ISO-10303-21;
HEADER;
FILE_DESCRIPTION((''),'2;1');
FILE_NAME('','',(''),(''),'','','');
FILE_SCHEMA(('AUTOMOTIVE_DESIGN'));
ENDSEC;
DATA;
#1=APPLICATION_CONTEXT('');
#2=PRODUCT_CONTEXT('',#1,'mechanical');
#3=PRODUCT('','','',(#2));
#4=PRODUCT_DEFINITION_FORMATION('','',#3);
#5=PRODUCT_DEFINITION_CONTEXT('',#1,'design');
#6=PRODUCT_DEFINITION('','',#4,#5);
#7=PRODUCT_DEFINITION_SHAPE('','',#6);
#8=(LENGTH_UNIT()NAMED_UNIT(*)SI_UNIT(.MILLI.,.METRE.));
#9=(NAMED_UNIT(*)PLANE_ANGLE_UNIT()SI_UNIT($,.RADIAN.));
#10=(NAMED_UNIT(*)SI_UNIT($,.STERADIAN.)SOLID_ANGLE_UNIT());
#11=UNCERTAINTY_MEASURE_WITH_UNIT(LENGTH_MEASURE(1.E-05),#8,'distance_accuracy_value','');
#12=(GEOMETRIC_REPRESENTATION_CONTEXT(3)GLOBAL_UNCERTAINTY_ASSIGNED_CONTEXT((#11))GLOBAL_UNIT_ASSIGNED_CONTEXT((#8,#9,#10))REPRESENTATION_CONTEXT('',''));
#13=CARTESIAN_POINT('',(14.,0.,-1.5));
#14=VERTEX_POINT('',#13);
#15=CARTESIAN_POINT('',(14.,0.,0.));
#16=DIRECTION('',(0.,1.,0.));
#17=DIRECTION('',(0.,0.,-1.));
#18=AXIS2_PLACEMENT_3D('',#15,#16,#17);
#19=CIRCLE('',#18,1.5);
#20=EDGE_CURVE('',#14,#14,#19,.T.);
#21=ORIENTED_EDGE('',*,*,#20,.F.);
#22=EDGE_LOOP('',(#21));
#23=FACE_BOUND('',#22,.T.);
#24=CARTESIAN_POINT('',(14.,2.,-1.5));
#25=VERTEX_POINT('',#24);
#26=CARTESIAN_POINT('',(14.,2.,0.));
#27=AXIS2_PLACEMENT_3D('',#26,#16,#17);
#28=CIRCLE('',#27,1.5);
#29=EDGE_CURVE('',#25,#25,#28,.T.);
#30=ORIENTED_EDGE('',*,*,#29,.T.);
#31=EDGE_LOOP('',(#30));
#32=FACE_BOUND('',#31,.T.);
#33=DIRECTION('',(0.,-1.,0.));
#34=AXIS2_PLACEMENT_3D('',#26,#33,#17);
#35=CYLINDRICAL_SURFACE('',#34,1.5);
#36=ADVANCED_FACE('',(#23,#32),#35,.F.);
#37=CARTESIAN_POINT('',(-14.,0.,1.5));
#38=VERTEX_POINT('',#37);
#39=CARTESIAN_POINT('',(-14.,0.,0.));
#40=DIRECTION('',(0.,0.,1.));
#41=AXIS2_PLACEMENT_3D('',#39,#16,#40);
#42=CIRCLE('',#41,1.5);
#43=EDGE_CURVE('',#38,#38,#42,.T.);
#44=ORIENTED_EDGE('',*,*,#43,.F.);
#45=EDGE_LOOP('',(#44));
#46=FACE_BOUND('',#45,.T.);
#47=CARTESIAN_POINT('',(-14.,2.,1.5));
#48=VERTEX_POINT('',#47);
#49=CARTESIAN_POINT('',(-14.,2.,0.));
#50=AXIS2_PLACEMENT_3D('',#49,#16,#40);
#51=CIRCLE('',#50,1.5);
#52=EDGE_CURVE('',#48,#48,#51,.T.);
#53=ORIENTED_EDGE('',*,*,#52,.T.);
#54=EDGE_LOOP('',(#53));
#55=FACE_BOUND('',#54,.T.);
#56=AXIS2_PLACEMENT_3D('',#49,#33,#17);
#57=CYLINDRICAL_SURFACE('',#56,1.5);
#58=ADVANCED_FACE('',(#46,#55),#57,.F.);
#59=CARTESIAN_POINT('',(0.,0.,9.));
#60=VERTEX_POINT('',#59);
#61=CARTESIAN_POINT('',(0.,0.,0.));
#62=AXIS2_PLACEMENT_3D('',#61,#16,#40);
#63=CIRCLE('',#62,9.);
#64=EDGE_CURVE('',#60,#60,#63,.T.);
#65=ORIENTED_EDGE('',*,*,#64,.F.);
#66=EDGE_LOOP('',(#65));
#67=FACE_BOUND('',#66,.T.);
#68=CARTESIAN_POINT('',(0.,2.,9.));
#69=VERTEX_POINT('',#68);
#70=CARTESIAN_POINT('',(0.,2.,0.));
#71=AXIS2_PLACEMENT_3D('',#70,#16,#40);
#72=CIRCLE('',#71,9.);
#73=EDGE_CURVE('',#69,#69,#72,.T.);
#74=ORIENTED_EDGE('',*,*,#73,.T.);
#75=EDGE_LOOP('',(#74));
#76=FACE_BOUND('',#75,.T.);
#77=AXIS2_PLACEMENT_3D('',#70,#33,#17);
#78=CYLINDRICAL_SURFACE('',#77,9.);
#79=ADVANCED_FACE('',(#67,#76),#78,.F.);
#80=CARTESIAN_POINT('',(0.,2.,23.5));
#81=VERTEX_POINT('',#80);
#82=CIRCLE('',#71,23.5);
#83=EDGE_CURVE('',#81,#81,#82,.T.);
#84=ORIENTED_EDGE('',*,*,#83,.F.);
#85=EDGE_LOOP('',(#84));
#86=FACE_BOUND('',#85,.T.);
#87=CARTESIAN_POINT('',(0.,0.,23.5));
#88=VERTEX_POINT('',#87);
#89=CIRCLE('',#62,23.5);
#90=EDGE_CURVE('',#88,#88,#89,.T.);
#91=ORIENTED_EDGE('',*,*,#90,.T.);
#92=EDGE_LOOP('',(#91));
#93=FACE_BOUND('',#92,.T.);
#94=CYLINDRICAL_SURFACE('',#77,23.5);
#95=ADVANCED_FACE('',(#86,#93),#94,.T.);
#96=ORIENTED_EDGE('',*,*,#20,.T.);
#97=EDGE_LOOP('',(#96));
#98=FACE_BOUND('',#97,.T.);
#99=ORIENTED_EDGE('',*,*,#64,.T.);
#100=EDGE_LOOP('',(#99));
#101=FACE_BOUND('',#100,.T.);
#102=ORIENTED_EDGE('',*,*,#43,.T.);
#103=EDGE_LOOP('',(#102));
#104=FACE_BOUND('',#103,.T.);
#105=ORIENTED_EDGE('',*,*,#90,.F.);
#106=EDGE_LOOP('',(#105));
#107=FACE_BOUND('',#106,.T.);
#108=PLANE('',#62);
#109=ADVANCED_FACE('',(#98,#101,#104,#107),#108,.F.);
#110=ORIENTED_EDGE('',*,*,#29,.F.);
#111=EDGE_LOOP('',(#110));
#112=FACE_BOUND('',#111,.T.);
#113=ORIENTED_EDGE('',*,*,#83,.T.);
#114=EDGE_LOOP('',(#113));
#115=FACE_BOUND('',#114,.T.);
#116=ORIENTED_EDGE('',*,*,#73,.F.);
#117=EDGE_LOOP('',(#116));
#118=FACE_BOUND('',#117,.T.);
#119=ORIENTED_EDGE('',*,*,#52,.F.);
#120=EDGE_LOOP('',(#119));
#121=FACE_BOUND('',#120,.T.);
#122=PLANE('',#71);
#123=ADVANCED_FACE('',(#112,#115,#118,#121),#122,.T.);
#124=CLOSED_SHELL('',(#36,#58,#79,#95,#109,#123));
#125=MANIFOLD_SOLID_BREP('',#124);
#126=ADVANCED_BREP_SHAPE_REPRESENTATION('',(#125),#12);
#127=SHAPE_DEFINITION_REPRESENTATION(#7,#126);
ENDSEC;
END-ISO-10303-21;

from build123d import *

# Parameters (mm, degrees)
SKETCH2_R           = 23.5
SKETCH2_R_2         = 9
SKETCH2_R_3         = 1.5
BOSS_EXTRUDE1_DEPTH = 2


with BuildPart() as part:
    # Sketch2 → Boss-Extrude1 (new body)
    with BuildSketch(Plane(origin=(0, 0, 0), x_dir=(1, 0, 0), z_dir=(0, 1, 0))):
        with Locations(Location((0, 0, 0), (0, 0, 270))):
            Circle(SKETCH2_R)
        with Locations(Location((0, 0, 0), (0, 0, 270))):
            Circle(SKETCH2_R_2, mode=Mode.SUBTRACT)
        with Locations(Location((-14, 0, 0), (0, 0, 270))):
            Circle(SKETCH2_R_3, mode=Mode.SUBTRACT)
        with Locations(Location((14, 0, 0), (0, 0, 90))):
            Circle(SKETCH2_R_3, mode=Mode.SUBTRACT)
    extrude(amount=BOSS_EXTRUDE1_DEPTH)


solid = part.part
